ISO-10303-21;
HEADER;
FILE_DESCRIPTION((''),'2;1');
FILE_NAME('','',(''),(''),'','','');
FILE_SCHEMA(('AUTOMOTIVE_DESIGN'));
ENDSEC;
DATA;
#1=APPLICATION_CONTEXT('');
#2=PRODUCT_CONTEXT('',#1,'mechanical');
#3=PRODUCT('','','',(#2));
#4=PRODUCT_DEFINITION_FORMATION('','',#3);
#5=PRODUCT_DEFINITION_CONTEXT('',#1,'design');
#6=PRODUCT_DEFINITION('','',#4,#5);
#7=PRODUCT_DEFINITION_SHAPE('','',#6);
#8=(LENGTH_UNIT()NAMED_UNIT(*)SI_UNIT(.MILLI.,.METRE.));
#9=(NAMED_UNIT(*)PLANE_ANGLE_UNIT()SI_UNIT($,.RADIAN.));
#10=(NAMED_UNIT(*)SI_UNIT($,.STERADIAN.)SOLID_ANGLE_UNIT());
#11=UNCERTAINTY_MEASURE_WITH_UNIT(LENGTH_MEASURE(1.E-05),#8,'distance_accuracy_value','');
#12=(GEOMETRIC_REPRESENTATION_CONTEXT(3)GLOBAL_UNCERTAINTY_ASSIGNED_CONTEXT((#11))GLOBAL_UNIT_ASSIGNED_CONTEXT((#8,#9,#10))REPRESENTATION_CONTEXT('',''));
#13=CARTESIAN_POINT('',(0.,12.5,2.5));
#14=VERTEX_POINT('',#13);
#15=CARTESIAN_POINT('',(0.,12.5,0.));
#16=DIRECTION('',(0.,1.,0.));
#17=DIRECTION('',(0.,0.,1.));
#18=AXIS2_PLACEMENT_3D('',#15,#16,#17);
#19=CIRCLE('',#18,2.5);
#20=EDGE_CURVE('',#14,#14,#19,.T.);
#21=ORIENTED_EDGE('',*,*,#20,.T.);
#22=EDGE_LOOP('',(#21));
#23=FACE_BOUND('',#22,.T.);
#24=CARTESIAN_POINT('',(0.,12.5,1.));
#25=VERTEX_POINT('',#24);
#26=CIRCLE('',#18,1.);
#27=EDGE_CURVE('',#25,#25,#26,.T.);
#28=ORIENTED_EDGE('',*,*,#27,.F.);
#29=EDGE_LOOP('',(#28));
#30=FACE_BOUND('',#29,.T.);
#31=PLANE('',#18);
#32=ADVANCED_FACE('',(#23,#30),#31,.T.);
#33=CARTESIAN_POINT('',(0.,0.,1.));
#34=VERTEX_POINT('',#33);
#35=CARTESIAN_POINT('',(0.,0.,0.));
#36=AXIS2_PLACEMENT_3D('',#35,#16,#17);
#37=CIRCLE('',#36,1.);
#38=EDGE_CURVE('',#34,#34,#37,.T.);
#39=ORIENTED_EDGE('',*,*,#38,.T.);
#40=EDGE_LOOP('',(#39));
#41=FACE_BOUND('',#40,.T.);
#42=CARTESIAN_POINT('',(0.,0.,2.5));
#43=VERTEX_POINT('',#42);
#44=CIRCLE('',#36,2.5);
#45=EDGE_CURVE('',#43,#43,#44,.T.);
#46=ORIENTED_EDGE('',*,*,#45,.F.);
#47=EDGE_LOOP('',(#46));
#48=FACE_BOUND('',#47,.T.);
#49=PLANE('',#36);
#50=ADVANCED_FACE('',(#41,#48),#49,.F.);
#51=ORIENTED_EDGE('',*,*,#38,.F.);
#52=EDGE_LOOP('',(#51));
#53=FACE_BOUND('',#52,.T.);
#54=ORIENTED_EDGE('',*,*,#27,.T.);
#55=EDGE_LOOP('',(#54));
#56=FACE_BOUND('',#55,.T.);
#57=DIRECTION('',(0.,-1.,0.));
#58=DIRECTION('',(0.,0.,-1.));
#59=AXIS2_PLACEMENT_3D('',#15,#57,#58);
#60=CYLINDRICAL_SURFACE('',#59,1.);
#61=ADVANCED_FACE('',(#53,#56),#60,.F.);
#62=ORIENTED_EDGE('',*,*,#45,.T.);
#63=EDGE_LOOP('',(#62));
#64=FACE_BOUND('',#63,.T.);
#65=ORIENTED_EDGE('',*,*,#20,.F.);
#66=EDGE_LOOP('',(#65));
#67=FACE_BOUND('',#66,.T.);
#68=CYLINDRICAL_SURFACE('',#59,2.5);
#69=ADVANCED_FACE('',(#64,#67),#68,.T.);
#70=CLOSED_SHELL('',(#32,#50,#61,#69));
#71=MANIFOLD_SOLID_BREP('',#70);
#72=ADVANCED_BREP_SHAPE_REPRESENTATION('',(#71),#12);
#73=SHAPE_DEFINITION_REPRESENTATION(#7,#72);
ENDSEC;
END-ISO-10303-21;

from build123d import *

# Parameters (mm, degrees)
SKETCH1_R           = 2.5
SKETCH1_R_2         = 1
BOSS_EXTRUDE1_DEPTH = 12.5


with BuildPart() as part:
    # Sketch1 → Boss-Extrude1 (new body)
    with BuildSketch(Plane(origin=(0, 0, 0), x_dir=(1, 0, 0), z_dir=(0, 1, 0))):
        with Locations(Location((0, 0, 0), (0, 0, 270))):
            Circle(SKETCH1_R)
        with Locations(Location((0, 0, 0), (0, 0, 270))):
            Circle(SKETCH1_R_2, mode=Mode.SUBTRACT)
    extrude(amount=BOSS_EXTRUDE1_DEPTH)


solid = part.part
